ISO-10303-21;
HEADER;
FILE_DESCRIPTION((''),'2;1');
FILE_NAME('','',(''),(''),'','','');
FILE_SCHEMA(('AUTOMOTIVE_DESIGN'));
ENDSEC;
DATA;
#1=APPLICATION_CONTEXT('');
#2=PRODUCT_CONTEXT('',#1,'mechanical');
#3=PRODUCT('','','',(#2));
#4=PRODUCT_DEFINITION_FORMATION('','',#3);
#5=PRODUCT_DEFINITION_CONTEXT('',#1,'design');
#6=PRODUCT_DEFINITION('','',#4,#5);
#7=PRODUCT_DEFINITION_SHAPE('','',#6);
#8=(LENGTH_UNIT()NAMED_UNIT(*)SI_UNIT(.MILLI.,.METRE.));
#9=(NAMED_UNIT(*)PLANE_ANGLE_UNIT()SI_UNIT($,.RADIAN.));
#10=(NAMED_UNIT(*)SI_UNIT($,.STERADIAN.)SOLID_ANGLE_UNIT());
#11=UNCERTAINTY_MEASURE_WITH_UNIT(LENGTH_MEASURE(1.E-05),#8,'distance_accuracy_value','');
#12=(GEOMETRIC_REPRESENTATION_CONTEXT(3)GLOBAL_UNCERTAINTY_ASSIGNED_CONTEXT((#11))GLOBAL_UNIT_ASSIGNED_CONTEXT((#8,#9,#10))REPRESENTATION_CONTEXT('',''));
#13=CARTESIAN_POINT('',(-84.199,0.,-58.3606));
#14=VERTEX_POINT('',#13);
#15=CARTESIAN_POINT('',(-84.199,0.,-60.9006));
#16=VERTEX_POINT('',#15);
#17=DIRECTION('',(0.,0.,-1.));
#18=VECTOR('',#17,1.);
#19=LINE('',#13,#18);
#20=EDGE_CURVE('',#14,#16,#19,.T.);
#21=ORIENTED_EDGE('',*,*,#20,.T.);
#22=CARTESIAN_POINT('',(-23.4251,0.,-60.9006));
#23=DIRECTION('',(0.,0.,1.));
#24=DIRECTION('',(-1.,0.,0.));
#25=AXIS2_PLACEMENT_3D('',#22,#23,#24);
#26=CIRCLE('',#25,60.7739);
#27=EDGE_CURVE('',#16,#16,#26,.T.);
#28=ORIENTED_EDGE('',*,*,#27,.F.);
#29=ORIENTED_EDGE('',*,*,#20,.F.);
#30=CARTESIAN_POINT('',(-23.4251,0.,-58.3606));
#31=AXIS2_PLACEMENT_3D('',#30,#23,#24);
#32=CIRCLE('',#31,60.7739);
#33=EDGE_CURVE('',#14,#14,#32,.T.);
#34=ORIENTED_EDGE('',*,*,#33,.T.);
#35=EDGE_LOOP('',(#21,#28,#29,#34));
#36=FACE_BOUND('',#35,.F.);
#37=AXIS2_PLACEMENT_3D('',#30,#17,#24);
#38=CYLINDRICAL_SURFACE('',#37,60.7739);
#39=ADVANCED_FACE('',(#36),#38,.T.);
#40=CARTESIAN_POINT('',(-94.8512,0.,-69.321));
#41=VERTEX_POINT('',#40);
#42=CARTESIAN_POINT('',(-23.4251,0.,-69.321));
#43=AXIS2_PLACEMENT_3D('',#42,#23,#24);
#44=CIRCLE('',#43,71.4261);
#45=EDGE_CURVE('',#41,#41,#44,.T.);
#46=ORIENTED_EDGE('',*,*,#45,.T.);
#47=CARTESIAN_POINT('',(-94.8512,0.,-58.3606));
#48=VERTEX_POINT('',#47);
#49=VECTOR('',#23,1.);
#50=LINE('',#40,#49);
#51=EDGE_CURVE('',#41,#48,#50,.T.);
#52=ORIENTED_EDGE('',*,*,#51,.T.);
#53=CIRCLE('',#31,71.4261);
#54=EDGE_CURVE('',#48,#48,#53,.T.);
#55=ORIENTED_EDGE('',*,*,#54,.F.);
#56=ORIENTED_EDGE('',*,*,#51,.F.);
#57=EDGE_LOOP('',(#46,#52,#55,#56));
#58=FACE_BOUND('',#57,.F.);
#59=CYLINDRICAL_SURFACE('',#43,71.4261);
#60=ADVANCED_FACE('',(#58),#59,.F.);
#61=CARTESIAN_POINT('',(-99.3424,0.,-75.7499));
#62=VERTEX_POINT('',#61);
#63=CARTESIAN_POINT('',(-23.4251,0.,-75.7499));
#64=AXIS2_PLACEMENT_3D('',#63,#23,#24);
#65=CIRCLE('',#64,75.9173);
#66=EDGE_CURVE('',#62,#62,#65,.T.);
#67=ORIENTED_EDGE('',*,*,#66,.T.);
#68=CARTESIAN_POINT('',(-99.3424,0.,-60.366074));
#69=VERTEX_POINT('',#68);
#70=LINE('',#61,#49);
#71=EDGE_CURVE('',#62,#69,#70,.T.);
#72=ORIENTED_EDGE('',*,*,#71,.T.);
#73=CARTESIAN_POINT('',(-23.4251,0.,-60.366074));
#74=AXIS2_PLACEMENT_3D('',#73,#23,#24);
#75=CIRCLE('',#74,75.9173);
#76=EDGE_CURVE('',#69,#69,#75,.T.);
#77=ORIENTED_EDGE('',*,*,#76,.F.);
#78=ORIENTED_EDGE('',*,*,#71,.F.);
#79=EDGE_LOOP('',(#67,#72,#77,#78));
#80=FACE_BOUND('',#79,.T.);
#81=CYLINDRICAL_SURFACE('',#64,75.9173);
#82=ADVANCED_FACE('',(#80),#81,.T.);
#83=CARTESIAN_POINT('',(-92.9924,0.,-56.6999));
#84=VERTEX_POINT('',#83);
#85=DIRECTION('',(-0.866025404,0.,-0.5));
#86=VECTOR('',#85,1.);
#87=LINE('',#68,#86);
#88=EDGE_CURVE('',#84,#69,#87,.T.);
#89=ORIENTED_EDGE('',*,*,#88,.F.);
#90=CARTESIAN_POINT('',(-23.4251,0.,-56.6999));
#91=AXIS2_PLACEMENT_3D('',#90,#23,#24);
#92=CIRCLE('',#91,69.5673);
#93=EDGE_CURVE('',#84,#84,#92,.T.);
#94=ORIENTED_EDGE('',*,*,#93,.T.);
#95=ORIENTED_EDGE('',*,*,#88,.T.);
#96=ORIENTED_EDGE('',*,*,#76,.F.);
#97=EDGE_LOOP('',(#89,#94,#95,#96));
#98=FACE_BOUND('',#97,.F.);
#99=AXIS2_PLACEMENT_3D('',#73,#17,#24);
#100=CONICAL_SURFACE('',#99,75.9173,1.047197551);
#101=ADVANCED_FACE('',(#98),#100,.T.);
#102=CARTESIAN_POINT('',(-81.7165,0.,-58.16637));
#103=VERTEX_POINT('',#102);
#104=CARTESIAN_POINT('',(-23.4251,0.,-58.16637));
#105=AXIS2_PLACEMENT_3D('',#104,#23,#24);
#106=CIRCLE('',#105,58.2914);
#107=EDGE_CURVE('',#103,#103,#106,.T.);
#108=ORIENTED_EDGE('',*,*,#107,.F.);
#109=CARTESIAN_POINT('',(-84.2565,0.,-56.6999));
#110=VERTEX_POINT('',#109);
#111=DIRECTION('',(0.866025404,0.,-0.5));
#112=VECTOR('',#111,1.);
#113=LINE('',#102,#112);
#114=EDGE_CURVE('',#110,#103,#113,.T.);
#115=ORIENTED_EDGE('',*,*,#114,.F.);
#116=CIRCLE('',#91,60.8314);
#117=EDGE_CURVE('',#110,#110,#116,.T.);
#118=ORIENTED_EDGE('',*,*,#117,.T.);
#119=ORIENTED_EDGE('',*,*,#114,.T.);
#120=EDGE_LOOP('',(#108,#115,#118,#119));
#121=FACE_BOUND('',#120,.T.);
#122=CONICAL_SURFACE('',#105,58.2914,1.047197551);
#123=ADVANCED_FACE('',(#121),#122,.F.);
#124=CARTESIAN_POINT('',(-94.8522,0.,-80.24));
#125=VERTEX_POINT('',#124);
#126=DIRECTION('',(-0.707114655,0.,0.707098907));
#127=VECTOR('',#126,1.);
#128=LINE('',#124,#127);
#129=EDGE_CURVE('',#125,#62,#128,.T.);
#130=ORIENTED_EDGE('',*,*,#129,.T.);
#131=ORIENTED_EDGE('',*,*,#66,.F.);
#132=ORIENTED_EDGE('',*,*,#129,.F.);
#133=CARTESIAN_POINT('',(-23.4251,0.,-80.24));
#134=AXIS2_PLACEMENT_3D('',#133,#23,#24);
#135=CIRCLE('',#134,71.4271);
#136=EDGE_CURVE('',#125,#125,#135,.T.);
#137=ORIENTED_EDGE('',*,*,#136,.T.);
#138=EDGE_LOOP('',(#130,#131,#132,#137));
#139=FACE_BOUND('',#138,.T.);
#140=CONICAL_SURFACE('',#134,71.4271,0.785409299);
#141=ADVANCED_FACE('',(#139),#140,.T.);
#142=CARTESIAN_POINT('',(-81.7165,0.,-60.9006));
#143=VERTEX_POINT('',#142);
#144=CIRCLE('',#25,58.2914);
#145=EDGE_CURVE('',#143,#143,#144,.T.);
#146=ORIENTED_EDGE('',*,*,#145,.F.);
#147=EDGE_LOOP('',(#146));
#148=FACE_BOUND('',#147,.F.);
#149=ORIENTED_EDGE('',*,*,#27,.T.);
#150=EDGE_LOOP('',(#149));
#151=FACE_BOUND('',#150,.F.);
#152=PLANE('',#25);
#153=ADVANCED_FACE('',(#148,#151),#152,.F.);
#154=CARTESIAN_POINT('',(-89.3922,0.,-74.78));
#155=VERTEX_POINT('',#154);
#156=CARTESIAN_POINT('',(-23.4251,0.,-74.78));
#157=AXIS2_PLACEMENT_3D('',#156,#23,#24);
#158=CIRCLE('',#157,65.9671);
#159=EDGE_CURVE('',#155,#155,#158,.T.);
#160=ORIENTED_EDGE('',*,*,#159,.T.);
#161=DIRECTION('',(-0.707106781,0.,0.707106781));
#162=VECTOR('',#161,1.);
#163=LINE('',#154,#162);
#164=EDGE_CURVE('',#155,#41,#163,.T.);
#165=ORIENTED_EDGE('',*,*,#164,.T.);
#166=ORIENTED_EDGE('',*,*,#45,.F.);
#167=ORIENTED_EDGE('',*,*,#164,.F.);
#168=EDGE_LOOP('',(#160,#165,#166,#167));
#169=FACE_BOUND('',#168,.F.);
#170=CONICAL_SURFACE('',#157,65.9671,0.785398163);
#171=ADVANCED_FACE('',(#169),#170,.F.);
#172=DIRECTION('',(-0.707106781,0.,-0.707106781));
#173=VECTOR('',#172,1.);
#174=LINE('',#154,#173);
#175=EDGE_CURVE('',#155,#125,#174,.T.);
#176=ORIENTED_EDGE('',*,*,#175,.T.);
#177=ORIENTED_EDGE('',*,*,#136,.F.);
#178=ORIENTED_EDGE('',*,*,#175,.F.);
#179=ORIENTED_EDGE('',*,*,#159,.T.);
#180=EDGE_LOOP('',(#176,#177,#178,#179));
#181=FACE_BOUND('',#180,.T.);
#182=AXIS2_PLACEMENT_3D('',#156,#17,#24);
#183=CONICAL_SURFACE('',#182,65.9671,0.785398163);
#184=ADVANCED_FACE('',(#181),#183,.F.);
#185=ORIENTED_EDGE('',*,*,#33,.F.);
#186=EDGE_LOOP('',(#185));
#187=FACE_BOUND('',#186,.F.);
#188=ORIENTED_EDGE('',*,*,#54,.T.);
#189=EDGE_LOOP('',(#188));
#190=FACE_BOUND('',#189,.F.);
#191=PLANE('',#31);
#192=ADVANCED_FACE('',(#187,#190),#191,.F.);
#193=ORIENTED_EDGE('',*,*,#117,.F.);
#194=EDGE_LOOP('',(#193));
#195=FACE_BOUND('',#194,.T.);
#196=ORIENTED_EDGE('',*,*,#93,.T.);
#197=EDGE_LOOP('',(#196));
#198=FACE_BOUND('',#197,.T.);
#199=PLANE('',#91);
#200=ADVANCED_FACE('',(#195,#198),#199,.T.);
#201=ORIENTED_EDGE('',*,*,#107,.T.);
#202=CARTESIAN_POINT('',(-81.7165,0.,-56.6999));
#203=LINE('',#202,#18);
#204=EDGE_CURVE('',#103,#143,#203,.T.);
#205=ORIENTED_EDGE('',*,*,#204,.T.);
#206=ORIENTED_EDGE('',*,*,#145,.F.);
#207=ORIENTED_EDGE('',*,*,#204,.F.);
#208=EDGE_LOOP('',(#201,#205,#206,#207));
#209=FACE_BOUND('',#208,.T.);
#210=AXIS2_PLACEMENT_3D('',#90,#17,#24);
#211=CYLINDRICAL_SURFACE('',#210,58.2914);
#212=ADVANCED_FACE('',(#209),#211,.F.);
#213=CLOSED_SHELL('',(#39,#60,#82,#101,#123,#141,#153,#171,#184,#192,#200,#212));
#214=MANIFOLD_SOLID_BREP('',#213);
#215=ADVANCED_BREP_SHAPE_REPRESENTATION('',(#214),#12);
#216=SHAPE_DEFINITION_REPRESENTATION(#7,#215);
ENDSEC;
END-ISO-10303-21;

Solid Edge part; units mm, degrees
sketch "Sketch1" plane through (0, 0, 0) normal (0, -1, 0) x (1, 0, 0)
  line L0 (-99.3424, -56.6999) -> (-81.7165, -56.6999)
  line L1 (-81.7165, -56.6999) -> (-81.7165, -60.9006)
  line L2 (-84.199, -60.9006) -> (-81.7165, -60.9006)
  line L3 (-84.199, -58.3606) -> (-84.199, -60.9006)
  line L4 (-94.8512, -58.3606) -> (-84.199, -58.3606)
  line L5 (-94.8512, -69.321) -> (-94.8512, -58.3606)
  line L6 (-89.3922, -74.78) -> (-94.8512, -69.321)
  line L7 (-89.3922, -74.78) -> (-94.8522, -80.24)
  line L8 (-94.8522, -80.24) -> (-99.3424, -75.7499)
  line L9 (-99.3424, -75.7499) -> (-99.3424, -56.6999)
revolve "RevolvedProtrusion1" add sketch "Sketch1" angle 360 about axis through (-23.4251, 0, -63.5843) along (0, 0, 1)
chamfer "Chamfer_1" distance 6.35 angle 30 1 edges at (52.4921, 0, -56.6999) measured on face at (28.7048, 49.0932, -56.6999)
chamfer "Chamfer_2" distance 2.54 angle 30 1 edges at (34.8663, 0, -56.6999) measured on face at (24.3444, 44.9869, -56.6999)
